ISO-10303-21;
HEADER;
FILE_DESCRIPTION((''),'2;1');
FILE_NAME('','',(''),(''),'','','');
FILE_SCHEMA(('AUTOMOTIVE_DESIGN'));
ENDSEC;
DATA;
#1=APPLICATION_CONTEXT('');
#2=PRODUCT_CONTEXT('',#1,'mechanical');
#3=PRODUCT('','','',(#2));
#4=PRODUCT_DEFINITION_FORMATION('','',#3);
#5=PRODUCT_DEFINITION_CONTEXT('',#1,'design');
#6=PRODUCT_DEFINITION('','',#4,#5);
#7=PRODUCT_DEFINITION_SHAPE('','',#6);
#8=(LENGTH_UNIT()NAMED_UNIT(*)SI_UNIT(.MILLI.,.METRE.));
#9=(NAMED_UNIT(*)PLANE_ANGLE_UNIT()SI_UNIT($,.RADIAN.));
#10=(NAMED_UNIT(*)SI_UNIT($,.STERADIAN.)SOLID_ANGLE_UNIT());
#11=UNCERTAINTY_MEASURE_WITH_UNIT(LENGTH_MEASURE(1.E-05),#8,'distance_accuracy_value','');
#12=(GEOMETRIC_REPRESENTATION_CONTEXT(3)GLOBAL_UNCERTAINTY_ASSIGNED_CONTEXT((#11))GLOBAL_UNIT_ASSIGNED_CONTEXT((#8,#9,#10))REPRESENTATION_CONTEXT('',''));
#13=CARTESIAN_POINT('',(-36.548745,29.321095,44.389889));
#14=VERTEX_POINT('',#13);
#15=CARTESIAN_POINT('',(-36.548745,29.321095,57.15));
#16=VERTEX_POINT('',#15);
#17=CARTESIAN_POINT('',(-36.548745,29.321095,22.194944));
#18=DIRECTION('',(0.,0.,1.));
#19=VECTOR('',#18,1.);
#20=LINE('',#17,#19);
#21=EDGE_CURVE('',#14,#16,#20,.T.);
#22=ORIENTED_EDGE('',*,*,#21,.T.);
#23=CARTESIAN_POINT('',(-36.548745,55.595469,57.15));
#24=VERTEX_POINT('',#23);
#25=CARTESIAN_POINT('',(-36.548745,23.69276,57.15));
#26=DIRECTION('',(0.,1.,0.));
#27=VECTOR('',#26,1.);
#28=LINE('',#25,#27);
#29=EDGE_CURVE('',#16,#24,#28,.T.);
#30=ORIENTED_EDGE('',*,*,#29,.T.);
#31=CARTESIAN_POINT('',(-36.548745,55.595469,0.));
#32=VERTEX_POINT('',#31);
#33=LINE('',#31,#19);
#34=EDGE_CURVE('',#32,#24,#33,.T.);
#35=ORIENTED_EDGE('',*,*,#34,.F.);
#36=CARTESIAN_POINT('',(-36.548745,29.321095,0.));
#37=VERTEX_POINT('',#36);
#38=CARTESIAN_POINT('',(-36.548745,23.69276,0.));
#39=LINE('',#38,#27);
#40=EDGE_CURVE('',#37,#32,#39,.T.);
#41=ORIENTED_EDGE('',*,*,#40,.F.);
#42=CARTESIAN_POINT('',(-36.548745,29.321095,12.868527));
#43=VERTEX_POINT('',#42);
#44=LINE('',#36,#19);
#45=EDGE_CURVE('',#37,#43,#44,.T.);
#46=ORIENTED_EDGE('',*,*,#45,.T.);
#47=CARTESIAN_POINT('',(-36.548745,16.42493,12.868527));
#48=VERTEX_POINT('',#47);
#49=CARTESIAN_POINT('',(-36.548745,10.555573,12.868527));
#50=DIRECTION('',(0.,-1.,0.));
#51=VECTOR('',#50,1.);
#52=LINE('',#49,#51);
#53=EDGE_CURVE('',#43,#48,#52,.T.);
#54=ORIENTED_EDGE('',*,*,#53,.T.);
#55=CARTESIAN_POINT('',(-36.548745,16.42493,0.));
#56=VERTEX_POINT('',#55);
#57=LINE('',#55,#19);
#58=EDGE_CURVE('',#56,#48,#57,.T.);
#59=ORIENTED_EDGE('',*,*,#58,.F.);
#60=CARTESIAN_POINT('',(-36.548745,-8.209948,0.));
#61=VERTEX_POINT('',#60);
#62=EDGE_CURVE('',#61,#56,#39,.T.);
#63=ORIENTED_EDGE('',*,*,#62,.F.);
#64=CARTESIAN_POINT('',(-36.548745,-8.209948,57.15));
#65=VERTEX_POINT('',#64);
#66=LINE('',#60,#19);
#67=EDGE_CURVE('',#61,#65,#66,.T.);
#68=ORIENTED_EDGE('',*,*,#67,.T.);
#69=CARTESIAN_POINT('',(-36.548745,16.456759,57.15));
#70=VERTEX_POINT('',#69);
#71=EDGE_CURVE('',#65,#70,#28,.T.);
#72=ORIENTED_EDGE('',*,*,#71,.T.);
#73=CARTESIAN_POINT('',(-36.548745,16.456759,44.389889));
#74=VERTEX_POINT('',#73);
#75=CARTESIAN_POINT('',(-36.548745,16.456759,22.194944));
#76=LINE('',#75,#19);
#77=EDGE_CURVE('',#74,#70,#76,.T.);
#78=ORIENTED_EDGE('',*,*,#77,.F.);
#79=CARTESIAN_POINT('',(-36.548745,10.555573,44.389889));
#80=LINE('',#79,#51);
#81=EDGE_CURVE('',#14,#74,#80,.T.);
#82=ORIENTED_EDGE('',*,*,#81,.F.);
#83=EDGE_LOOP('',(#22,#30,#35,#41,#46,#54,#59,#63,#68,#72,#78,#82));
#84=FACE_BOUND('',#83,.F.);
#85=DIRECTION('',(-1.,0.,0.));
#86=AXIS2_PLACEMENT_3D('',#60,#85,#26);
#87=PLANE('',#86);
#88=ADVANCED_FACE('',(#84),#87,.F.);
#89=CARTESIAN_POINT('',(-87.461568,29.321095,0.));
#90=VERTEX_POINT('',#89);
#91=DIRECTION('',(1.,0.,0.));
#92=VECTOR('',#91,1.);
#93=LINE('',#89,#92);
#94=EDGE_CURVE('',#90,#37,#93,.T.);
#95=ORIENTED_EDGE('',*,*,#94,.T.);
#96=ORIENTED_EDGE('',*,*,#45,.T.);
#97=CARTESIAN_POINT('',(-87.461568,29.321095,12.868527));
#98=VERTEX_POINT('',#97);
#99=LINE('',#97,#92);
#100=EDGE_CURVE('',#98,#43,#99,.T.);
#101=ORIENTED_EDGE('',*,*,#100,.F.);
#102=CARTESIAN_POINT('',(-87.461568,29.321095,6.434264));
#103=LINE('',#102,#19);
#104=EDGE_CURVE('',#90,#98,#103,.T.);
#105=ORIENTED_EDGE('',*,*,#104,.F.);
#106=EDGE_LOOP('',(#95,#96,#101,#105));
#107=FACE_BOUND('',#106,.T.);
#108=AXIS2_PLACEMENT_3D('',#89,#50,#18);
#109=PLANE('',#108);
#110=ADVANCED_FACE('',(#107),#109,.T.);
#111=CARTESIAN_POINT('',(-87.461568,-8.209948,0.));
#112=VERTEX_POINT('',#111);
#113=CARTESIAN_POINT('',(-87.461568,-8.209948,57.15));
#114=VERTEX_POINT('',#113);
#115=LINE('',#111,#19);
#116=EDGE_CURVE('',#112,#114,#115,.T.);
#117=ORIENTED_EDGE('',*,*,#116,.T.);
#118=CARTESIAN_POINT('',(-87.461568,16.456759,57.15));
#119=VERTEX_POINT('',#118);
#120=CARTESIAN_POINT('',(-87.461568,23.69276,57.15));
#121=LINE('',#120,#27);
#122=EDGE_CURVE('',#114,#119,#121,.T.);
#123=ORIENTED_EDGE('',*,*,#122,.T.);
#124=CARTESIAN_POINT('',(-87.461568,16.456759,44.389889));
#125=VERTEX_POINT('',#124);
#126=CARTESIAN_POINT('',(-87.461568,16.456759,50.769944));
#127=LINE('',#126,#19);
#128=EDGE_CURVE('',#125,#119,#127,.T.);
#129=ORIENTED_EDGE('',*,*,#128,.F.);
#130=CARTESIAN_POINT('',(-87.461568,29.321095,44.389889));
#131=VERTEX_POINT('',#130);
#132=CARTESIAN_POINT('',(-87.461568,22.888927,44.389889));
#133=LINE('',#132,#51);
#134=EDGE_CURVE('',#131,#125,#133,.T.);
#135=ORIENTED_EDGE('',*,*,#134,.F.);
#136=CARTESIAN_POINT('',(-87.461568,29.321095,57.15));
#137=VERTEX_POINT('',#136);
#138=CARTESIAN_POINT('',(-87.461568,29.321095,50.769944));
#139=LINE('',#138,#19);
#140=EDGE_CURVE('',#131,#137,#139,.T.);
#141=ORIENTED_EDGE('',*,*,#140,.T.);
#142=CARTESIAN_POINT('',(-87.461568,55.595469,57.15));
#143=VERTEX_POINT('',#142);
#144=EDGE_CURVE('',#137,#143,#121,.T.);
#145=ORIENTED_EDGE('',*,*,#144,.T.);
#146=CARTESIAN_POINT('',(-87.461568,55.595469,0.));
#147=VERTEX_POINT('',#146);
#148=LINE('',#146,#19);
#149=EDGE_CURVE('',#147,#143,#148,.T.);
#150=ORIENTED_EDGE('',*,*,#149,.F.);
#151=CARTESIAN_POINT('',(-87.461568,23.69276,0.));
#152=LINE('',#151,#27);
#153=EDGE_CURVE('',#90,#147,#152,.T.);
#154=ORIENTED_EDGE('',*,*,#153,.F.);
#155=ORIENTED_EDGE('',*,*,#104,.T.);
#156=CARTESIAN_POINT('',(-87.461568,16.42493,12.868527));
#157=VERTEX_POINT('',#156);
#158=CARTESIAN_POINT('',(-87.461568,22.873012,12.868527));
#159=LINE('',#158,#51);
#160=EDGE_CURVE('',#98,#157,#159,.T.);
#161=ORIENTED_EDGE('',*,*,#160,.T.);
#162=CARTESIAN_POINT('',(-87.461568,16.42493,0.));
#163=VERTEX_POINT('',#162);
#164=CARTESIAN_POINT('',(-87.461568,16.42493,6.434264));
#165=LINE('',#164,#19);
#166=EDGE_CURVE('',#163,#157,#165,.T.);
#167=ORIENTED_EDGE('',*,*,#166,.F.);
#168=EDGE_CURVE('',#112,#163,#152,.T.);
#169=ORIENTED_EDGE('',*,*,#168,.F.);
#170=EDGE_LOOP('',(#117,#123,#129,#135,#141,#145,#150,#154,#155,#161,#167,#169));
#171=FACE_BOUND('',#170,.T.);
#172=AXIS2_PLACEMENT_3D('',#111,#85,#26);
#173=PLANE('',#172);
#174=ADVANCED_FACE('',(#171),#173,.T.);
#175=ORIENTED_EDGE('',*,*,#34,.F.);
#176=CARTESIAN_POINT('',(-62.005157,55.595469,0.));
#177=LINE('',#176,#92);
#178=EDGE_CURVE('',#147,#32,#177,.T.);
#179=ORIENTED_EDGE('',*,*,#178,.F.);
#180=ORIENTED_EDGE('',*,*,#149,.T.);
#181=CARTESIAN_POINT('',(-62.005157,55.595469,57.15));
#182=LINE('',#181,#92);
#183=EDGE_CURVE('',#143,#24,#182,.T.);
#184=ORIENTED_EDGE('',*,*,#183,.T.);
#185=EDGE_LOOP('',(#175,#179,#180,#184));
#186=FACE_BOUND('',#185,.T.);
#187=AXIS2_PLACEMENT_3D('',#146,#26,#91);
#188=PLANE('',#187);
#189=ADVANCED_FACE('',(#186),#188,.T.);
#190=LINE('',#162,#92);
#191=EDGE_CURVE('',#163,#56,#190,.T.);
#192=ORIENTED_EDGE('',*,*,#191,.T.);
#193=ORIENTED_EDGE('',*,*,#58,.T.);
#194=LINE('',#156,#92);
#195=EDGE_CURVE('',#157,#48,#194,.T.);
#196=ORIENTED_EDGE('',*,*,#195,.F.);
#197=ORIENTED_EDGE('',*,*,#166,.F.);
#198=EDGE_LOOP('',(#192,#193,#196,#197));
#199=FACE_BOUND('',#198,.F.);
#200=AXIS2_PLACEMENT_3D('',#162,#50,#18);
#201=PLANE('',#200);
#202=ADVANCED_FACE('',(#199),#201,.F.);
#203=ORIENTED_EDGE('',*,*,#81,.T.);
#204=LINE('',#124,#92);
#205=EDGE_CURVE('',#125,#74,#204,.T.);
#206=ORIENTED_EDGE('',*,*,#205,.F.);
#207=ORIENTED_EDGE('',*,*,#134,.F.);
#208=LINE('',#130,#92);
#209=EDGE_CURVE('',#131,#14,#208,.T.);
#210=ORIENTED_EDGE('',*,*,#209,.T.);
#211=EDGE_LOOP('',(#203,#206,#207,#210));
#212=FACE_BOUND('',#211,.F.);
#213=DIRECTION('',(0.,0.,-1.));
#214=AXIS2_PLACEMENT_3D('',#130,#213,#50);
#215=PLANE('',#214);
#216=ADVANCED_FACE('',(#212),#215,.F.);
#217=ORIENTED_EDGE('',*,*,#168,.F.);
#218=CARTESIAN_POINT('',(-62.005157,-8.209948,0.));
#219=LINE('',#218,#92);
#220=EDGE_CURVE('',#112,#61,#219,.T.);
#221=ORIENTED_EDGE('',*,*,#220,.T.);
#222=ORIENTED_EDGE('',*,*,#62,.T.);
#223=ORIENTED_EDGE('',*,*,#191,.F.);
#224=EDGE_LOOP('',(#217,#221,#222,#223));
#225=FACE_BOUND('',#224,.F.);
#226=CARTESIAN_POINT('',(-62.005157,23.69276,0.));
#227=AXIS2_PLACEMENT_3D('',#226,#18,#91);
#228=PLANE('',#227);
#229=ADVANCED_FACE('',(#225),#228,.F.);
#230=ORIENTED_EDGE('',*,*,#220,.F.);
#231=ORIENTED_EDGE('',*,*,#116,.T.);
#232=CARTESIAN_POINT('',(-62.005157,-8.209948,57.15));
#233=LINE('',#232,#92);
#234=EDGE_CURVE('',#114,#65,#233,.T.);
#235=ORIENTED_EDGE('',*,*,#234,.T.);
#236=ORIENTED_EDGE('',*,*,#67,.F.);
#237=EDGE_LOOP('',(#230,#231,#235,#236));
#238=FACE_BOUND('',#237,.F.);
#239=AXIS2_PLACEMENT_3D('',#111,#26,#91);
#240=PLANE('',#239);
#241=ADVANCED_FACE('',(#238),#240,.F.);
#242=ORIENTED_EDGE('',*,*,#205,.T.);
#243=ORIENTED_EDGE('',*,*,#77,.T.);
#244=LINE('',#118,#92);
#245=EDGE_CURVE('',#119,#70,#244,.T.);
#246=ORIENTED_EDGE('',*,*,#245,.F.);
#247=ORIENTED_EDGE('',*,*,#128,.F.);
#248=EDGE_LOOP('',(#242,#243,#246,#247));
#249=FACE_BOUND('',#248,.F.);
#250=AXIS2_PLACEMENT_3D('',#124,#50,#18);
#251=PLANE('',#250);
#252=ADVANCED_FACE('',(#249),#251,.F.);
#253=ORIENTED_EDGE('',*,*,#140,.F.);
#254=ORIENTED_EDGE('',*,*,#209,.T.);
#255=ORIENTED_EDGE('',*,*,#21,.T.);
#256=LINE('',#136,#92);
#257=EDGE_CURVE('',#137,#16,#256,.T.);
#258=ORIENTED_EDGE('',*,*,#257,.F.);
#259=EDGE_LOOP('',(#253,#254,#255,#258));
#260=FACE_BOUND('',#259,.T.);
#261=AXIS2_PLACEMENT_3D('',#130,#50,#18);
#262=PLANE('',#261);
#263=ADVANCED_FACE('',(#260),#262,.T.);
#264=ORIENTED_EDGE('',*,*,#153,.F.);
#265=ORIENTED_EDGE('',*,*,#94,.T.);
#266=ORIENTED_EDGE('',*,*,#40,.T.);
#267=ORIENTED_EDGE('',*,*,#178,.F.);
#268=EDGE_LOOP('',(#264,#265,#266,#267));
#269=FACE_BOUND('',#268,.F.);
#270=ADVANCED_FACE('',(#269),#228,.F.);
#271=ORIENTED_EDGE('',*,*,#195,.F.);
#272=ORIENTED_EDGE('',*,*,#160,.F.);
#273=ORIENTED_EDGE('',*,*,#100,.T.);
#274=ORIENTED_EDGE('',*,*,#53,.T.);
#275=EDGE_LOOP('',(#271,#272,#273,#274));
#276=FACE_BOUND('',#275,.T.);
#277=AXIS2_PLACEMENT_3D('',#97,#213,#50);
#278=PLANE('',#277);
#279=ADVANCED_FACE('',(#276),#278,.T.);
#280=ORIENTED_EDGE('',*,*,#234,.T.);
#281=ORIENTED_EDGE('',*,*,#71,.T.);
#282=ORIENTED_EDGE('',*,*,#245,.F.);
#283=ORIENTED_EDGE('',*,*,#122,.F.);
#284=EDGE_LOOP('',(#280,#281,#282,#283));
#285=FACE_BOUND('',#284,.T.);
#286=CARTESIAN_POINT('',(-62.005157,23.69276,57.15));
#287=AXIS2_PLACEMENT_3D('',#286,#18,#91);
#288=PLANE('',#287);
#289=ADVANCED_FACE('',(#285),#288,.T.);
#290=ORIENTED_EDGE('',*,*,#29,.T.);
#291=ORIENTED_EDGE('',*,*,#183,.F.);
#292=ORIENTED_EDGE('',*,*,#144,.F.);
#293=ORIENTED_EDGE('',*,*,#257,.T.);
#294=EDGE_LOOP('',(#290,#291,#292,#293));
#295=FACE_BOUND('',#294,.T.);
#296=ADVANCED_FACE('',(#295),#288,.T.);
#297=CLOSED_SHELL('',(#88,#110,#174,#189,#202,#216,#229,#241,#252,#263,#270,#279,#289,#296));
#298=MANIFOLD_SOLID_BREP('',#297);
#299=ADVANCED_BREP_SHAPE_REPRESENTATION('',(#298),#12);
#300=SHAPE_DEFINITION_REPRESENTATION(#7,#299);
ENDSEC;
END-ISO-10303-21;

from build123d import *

# Parameters (mm, degrees)
F0_W     = 50.9128235281
F0_H     = 63.8054171577
F1_DEPTH = 57.15
F2_W     = 12.8643363714
F2_H     = 12.7601113558
F3_DEPTH = 76.2
F4_W     = 12.8961652517
F4_H     = 12.868527323
F5_DEPTH = 76.2


with BuildPart() as f1:
    # F0 (on Top) → F1 (new body)
    with BuildSketch(Plane.XY):
        with Locations((-62.0051566511, 23.6927601509)):
            Rectangle(F0_W, F0_H)
    extrude(amount=F1_DEPTH)

    # F2 (on face) → F3 (cut)
    with BuildSketch(Plane(origin=(-87.4615684152, 0, 0), x_dir=(0, -1, 0), z_dir=(-1, 0, 0))):
        with Locations((-22.8889267892, 50.7699443221)):
            Rectangle(F2_W, F2_H)
    extrude(amount=-F3_DEPTH, mode=Mode.SUBTRACT)

    # F4 (on face) → F5 (cut)
    with BuildSketch(Plane(origin=(-87.4615684152, 0, 0), x_dir=(0, -1, 0), z_dir=(-1, 0, 0))):
        with Locations((-22.873012349, 6.4342636615)):
            Rectangle(F4_W, F4_H)
    extrude(amount=-F5_DEPTH, mode=Mode.SUBTRACT)


solid = f1.part
